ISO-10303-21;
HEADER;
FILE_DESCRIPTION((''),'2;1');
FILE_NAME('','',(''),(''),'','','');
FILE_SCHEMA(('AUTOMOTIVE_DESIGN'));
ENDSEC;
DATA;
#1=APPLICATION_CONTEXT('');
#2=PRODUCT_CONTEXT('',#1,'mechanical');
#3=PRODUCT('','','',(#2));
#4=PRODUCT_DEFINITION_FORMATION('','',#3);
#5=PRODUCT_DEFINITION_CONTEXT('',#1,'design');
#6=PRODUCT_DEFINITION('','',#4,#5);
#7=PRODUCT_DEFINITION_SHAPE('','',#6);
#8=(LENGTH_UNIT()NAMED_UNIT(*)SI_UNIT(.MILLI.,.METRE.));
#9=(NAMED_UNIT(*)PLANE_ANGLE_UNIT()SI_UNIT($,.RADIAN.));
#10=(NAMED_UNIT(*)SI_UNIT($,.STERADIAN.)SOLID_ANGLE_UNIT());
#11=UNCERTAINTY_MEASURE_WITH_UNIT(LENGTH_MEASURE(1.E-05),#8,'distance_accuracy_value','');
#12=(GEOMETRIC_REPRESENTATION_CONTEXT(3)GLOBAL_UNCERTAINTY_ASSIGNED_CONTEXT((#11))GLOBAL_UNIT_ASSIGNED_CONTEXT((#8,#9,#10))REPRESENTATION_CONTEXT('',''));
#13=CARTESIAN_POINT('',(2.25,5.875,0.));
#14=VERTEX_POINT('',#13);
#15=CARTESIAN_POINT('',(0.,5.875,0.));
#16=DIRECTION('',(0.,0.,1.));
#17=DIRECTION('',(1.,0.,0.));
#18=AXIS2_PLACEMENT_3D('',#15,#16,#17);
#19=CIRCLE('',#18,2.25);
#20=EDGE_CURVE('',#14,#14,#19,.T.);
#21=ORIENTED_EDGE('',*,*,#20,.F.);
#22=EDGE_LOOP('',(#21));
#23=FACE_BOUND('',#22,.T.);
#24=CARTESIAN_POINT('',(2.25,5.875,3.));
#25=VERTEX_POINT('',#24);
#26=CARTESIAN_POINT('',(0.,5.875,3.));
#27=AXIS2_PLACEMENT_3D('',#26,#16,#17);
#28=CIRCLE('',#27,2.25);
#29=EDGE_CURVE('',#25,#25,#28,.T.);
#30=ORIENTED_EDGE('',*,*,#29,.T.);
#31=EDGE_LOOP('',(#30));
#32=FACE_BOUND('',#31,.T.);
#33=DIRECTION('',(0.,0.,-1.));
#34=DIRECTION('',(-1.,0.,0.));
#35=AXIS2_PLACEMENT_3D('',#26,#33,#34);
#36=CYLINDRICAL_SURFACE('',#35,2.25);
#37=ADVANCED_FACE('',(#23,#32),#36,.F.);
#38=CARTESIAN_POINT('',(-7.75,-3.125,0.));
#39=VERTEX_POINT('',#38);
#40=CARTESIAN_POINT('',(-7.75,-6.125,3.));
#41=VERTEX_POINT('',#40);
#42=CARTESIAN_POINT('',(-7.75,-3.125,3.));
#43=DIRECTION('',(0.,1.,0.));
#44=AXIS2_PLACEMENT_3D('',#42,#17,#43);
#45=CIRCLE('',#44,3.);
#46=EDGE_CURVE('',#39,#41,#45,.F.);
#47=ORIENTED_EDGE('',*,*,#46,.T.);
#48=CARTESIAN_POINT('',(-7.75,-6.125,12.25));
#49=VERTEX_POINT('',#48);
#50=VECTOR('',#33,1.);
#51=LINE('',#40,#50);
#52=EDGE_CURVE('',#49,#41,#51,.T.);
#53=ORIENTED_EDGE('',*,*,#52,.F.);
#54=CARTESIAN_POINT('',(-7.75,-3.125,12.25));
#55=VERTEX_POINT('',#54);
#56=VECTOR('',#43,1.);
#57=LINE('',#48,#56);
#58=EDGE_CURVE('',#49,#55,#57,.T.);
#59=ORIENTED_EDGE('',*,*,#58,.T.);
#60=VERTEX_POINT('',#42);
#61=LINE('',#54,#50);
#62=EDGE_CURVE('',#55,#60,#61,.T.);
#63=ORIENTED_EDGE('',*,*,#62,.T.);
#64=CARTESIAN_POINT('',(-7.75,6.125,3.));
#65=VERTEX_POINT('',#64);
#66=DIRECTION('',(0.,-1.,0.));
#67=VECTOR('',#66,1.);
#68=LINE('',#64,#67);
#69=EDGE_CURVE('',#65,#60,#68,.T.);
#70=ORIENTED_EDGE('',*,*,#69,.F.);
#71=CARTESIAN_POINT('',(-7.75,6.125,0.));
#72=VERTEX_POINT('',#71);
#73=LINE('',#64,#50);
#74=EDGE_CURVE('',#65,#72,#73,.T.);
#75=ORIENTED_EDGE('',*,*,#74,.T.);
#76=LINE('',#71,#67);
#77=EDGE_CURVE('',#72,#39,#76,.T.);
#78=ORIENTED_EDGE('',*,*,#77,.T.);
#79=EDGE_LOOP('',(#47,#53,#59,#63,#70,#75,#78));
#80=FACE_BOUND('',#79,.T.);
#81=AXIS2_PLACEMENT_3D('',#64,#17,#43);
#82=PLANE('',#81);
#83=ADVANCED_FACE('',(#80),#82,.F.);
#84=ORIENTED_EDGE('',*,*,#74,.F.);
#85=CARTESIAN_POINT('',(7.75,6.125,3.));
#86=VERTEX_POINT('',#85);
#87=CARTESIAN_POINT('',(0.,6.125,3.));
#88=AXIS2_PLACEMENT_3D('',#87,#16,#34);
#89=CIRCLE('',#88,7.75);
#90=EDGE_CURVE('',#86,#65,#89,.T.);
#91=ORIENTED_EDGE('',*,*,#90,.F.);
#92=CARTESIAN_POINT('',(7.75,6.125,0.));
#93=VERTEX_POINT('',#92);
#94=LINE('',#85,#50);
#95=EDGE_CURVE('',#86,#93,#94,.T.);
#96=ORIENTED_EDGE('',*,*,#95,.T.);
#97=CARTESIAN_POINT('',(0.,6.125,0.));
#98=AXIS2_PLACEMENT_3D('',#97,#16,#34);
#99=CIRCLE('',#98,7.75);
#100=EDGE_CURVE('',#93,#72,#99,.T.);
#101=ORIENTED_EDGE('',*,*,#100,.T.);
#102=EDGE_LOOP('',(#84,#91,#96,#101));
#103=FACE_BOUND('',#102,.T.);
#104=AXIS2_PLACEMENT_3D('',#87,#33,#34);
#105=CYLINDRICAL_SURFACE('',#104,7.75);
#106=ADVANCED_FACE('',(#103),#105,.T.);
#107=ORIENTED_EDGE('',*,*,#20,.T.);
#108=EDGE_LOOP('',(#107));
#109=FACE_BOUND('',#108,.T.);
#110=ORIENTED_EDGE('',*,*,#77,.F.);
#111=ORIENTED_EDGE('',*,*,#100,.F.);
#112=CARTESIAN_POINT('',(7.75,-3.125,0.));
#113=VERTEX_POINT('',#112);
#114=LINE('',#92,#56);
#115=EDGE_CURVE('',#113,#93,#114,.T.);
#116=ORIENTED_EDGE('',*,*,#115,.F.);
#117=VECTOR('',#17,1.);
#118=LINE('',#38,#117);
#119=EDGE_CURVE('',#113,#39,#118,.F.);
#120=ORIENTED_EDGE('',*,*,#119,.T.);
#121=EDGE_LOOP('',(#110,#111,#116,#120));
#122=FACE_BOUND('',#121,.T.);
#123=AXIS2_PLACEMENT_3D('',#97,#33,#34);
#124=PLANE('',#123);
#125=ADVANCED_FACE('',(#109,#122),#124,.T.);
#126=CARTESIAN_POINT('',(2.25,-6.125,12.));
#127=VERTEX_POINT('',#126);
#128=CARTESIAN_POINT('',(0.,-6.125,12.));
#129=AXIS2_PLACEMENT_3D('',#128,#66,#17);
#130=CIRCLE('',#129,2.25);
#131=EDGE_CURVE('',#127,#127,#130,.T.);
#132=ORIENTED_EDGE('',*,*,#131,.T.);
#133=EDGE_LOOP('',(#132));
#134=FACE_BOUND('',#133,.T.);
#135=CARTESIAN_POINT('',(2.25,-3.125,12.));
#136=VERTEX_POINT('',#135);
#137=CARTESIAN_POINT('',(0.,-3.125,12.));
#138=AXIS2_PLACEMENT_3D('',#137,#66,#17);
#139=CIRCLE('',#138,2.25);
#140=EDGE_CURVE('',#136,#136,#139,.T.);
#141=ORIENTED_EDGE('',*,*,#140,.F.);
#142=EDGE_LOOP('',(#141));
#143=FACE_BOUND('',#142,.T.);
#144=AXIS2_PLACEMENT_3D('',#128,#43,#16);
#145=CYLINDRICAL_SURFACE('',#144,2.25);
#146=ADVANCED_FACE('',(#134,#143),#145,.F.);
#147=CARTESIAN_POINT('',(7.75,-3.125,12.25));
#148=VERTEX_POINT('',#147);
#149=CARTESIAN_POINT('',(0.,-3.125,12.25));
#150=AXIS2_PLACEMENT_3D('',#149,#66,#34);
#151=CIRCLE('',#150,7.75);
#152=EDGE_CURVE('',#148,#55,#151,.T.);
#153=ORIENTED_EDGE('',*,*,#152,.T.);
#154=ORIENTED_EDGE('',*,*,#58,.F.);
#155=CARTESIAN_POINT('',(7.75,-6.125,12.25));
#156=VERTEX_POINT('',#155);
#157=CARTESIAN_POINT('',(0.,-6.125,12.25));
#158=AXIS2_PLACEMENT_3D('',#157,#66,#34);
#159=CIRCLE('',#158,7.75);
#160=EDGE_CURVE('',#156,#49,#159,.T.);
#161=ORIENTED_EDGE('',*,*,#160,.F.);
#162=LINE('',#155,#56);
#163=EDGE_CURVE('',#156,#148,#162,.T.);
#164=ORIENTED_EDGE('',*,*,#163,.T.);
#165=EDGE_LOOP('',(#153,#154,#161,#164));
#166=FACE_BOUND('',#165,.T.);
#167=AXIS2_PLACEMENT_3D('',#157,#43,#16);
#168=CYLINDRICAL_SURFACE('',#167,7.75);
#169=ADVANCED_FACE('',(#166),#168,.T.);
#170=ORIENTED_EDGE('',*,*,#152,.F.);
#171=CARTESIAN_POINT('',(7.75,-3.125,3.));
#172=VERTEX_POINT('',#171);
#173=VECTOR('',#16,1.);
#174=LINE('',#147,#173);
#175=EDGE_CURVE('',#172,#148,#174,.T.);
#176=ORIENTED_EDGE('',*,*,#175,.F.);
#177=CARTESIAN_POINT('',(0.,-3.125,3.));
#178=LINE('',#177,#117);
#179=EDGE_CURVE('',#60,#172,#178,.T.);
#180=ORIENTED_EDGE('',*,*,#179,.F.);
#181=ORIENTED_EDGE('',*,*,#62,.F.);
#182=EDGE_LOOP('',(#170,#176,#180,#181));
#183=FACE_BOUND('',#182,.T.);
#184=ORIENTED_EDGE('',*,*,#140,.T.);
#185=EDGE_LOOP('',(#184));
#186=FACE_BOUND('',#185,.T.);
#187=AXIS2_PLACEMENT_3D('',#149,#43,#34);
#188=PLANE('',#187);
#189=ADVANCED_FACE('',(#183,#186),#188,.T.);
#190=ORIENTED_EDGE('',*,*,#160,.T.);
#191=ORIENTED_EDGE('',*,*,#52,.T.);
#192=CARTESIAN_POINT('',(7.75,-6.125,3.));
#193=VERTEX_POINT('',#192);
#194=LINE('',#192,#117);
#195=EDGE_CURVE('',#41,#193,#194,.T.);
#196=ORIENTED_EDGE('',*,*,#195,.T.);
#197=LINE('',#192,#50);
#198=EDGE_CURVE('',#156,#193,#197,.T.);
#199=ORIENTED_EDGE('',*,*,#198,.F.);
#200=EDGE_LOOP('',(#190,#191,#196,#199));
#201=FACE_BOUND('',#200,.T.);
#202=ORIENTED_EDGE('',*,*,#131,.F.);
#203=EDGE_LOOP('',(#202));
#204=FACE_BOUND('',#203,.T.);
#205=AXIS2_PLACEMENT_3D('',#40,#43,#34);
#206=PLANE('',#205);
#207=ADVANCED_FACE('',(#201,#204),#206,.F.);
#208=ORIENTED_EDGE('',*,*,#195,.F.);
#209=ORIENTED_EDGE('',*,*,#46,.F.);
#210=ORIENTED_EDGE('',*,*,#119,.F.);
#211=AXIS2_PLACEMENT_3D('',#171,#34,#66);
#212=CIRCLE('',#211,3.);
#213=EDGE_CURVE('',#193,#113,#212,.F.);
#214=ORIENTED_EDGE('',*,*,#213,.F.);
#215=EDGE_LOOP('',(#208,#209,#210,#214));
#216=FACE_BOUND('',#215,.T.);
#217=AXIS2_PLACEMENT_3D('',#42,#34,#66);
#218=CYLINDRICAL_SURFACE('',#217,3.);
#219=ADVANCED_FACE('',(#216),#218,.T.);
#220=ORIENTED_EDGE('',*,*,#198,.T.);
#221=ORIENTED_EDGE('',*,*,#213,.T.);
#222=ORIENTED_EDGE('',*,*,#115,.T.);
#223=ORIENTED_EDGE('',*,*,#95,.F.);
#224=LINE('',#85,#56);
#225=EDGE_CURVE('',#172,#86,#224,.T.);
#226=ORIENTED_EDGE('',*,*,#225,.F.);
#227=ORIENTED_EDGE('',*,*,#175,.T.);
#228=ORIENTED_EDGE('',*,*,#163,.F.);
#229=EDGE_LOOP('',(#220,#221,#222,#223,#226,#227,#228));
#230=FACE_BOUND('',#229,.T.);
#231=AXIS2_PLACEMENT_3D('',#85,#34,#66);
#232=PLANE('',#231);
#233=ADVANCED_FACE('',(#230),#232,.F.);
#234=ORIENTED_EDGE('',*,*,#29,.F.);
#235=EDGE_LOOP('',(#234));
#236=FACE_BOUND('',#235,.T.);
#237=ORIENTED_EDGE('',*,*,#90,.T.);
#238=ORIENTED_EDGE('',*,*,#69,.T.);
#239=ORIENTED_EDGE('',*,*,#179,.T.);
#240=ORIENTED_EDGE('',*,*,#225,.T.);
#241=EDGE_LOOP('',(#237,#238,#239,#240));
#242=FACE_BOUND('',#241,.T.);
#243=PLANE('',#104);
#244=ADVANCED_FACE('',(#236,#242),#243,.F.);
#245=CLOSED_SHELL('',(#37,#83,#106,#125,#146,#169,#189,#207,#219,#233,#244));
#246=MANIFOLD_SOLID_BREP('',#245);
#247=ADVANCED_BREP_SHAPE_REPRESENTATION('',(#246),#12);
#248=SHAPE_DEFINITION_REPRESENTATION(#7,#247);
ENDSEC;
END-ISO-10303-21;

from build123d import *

# Parameters (mm, degrees)
SKETCH1_R           = 2.25
BOSS_EXTRUDE1_DEPTH = 3
CIRPATTERN1_COUNT   = 2
CIRPATTERN1_ANGLE   = 90
FILLET1_R           = 3


with BuildPart() as part:
    # Sketch1 → Boss-Extrude1 (new body)
    with BuildSketch(Plane.XY):
        with BuildLine():
            Line((-7.75, 6.125), (-7.75, -6.125))
            Line((-7.75, -6.125), (7.75, -6.125))
            Line((7.75, -6.125), (7.75, 6.125))
            ThreePointArc((7.75, 6.125), (0, 13.875), (-7.75, 6.125))
        make_face()
        with Locations((0, 5.875)):
            Circle(SKETCH1_R, mode=Mode.SUBTRACT)
    boss_extrude1 = extrude(amount=BOSS_EXTRUDE1_DEPTH)

    # CirPattern1: Boss-Extrude1 ×2 about axis
    cirpattern1_axis = Axis((-8.525, -4.625, 1.5), (1, 0, 0))
    for i in range(1, CIRPATTERN1_COUNT):
        add(boss_extrude1.rotate(cirpattern1_axis, i * CIRPATTERN1_ANGLE / (CIRPATTERN1_COUNT - 1)))

    # Fillet1
    fillet1_edges = [part.edges().sort_by_distance(p)[0] for p in [
        (0, -6.125, 0),
    ]]
    fillet(fillet1_edges, radius=FILLET1_R)


solid = part.part
